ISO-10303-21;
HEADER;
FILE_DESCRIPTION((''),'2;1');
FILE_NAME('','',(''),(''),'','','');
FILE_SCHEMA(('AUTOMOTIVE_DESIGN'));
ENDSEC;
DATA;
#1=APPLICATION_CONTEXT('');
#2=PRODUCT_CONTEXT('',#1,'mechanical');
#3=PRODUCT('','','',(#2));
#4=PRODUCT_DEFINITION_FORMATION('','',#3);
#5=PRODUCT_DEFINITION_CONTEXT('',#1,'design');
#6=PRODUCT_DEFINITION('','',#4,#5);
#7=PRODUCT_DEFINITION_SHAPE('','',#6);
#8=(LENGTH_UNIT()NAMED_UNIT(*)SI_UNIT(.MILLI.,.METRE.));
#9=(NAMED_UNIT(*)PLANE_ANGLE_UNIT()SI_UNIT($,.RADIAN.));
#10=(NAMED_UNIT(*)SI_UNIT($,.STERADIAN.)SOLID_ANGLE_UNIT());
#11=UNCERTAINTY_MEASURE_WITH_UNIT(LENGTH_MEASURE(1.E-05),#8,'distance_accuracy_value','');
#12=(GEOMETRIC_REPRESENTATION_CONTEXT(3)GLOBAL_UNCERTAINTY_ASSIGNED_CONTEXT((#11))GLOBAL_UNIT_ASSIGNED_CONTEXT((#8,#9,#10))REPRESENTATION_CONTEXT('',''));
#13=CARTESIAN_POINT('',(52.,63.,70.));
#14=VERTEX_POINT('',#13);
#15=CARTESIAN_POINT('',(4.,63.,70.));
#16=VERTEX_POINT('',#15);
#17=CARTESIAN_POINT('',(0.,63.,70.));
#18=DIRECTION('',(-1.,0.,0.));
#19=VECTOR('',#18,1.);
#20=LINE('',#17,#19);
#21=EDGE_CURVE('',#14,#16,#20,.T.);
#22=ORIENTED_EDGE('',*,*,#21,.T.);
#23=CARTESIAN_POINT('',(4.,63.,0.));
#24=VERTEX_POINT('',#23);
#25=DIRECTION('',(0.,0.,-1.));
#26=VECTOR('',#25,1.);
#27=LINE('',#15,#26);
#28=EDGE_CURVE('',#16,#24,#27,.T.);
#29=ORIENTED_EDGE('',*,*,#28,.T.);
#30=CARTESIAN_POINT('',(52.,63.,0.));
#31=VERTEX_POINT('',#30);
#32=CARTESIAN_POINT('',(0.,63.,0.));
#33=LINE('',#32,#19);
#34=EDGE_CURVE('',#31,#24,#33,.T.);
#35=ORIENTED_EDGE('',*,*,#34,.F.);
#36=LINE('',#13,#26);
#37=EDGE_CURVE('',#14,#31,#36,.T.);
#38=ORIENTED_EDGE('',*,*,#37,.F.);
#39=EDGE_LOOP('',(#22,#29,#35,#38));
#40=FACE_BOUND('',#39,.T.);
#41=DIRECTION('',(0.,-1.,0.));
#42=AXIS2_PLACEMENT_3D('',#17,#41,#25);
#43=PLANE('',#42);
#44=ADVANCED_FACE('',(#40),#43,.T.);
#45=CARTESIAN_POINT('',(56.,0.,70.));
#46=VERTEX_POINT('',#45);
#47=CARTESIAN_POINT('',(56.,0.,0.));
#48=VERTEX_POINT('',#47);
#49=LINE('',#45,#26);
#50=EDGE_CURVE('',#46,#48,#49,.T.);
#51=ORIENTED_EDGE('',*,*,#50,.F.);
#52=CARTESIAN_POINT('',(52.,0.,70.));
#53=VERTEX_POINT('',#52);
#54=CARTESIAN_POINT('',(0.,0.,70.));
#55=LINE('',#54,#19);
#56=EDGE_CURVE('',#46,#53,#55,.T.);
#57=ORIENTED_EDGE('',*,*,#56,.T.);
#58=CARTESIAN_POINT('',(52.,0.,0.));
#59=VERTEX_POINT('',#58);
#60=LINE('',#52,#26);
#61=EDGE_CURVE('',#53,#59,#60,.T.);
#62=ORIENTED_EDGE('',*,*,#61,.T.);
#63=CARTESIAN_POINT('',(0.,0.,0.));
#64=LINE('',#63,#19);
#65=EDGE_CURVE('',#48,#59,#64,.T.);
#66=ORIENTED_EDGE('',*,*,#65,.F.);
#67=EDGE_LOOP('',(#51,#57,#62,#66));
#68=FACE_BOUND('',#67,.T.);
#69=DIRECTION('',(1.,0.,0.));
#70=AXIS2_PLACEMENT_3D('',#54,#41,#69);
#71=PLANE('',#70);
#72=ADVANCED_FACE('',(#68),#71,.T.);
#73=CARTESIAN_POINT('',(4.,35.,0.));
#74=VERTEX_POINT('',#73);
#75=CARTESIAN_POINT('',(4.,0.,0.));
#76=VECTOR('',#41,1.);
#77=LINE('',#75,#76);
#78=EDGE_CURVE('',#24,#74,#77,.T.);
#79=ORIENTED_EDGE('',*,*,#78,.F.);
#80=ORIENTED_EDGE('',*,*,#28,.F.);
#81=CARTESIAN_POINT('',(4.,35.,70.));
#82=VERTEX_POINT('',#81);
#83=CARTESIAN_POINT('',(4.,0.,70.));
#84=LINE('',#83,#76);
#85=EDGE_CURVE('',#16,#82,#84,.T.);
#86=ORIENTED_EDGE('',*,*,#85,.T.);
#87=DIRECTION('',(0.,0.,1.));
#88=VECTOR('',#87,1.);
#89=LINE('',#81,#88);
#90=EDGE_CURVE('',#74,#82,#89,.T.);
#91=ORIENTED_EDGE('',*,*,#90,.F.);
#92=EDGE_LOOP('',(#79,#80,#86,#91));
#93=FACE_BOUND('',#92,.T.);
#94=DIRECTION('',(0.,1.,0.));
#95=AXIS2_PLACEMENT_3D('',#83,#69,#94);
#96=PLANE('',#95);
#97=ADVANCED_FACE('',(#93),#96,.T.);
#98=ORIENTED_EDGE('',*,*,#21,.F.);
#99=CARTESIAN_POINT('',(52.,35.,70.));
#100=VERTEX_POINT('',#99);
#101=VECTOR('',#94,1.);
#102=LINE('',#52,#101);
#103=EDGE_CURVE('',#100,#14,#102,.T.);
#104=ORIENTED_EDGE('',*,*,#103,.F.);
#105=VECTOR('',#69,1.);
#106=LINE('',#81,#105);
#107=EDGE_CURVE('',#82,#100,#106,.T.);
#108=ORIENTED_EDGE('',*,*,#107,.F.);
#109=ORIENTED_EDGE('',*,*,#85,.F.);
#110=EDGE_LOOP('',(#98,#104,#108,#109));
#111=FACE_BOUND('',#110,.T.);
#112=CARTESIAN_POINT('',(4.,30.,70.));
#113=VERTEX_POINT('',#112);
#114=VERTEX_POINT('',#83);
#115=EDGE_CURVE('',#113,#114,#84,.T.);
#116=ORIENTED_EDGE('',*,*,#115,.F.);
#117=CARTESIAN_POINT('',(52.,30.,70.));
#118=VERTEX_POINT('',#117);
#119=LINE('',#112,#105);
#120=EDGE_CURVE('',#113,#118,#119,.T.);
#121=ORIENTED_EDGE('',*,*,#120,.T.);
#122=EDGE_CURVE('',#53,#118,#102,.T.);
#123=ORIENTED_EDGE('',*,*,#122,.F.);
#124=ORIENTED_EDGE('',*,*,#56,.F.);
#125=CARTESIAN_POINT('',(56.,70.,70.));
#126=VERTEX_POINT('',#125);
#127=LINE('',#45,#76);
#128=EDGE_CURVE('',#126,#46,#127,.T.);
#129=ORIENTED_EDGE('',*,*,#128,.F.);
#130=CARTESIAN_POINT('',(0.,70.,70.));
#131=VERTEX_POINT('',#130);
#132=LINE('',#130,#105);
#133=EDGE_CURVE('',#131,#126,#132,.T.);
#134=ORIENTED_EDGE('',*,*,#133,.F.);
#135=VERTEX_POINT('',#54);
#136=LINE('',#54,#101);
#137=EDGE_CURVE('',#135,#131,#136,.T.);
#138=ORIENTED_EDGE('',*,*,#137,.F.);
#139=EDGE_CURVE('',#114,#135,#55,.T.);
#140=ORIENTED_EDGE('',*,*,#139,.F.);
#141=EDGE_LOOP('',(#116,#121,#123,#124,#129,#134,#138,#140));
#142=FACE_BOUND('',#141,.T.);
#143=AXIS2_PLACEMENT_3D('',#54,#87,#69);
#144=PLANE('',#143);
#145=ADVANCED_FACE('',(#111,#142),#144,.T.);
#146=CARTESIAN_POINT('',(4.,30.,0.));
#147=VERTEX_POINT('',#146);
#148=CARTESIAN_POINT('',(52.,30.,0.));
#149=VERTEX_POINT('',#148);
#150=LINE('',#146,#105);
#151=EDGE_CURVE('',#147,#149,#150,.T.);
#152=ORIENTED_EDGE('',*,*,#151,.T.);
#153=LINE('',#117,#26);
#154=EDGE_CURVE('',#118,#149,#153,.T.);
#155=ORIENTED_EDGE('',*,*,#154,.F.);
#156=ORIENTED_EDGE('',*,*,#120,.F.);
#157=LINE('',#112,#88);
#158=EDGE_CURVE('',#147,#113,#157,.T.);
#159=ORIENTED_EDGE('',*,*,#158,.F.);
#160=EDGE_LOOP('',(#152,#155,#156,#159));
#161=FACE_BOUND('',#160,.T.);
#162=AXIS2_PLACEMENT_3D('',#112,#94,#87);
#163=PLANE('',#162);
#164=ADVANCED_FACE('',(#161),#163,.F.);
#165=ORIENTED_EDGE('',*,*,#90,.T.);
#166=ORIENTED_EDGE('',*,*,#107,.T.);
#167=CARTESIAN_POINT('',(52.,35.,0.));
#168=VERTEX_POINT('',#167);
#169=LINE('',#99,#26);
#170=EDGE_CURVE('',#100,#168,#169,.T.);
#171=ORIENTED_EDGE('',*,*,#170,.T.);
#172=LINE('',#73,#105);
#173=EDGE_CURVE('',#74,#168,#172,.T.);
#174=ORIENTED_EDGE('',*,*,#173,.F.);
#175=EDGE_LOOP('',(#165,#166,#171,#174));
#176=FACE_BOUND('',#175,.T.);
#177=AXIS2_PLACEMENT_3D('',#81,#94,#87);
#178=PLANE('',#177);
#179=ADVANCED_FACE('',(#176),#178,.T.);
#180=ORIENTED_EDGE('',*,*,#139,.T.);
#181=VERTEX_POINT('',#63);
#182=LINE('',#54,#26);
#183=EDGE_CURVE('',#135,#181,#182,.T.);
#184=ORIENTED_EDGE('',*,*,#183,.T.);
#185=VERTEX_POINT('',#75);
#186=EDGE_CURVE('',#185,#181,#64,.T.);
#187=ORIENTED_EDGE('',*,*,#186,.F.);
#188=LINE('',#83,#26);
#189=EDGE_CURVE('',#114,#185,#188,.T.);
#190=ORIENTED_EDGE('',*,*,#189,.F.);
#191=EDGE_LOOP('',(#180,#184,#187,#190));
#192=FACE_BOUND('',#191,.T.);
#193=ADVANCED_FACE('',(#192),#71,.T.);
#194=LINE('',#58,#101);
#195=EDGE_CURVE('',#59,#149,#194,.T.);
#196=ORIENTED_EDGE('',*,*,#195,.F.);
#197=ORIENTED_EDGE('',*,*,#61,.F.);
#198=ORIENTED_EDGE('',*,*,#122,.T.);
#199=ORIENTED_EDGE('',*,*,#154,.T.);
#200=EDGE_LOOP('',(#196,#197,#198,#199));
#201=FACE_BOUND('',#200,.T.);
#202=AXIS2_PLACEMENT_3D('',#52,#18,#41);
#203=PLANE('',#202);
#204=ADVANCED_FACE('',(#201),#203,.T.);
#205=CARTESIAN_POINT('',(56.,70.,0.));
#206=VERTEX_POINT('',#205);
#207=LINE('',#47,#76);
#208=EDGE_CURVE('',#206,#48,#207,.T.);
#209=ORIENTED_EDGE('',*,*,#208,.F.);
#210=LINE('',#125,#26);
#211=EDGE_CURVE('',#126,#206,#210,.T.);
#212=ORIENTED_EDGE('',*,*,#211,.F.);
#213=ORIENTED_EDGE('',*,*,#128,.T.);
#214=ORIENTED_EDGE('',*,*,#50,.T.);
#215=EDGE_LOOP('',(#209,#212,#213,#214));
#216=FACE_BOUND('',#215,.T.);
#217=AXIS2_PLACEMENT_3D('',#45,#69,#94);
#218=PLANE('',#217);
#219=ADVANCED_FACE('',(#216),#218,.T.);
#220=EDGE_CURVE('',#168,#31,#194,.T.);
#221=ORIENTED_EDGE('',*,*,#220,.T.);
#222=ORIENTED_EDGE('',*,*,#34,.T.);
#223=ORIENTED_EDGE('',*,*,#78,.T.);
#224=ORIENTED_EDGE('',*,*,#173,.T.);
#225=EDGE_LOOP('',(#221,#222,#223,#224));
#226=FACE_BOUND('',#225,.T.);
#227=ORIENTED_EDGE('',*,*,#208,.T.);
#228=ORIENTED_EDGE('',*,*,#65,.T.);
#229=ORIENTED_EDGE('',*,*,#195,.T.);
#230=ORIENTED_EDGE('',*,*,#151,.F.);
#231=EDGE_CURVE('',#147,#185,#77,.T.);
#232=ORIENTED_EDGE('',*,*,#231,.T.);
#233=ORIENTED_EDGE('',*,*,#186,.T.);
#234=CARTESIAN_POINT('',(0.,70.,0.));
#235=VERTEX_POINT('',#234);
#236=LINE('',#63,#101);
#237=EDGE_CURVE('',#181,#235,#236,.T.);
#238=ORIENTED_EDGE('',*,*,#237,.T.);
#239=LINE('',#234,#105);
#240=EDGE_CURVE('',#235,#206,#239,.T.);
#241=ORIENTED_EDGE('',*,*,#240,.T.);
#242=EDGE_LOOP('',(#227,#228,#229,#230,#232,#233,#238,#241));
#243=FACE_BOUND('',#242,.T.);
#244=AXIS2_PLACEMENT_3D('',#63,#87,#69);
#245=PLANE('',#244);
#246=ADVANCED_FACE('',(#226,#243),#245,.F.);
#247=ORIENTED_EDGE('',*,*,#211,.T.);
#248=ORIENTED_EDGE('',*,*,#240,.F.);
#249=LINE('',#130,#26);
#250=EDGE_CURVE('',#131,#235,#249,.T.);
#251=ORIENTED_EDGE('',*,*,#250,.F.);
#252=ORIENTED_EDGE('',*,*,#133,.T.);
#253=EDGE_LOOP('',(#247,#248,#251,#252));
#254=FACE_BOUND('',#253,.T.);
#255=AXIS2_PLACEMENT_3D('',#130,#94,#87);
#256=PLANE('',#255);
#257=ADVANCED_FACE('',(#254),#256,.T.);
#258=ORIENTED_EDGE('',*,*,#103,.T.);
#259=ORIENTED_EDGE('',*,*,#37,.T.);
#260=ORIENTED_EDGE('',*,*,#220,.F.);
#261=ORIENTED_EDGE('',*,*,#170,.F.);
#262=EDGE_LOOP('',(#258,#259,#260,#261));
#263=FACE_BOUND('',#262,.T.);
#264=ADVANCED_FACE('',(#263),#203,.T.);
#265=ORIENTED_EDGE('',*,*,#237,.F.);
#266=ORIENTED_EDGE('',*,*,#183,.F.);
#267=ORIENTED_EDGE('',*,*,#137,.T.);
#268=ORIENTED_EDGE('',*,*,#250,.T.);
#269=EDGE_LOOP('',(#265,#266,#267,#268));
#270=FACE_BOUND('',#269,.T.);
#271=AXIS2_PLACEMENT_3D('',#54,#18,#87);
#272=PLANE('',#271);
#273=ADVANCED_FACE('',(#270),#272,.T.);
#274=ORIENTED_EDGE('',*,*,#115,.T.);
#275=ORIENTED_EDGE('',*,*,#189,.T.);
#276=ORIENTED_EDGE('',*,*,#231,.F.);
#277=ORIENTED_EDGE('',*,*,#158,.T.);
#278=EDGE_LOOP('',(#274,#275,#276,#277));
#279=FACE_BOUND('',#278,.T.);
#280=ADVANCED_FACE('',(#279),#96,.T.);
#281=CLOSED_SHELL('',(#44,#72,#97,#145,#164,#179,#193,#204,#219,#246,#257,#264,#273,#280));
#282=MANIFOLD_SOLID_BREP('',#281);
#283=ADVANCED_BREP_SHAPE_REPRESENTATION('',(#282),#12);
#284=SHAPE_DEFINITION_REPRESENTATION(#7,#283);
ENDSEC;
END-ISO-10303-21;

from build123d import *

# Parameters (mm, degrees)
SKETCH1_W           = 48
SKETCH1_H           = 5
BOSS_EXTRUDE1_DEPTH = 70


with BuildPart() as part:
    # Sketch1 → Boss-Extrude1 (new body)
    with BuildSketch(Plane.XY):
        Polygon((4, 0), (0, 0), (0, 70), (56, 70), (56, 0), (52, 0), (52, 63), (4, 63), align=None)
        with Locations((28, 32.5)):
            Rectangle(SKETCH1_W, SKETCH1_H)
    extrude(amount=BOSS_EXTRUDE1_DEPTH)


solid = part.part
